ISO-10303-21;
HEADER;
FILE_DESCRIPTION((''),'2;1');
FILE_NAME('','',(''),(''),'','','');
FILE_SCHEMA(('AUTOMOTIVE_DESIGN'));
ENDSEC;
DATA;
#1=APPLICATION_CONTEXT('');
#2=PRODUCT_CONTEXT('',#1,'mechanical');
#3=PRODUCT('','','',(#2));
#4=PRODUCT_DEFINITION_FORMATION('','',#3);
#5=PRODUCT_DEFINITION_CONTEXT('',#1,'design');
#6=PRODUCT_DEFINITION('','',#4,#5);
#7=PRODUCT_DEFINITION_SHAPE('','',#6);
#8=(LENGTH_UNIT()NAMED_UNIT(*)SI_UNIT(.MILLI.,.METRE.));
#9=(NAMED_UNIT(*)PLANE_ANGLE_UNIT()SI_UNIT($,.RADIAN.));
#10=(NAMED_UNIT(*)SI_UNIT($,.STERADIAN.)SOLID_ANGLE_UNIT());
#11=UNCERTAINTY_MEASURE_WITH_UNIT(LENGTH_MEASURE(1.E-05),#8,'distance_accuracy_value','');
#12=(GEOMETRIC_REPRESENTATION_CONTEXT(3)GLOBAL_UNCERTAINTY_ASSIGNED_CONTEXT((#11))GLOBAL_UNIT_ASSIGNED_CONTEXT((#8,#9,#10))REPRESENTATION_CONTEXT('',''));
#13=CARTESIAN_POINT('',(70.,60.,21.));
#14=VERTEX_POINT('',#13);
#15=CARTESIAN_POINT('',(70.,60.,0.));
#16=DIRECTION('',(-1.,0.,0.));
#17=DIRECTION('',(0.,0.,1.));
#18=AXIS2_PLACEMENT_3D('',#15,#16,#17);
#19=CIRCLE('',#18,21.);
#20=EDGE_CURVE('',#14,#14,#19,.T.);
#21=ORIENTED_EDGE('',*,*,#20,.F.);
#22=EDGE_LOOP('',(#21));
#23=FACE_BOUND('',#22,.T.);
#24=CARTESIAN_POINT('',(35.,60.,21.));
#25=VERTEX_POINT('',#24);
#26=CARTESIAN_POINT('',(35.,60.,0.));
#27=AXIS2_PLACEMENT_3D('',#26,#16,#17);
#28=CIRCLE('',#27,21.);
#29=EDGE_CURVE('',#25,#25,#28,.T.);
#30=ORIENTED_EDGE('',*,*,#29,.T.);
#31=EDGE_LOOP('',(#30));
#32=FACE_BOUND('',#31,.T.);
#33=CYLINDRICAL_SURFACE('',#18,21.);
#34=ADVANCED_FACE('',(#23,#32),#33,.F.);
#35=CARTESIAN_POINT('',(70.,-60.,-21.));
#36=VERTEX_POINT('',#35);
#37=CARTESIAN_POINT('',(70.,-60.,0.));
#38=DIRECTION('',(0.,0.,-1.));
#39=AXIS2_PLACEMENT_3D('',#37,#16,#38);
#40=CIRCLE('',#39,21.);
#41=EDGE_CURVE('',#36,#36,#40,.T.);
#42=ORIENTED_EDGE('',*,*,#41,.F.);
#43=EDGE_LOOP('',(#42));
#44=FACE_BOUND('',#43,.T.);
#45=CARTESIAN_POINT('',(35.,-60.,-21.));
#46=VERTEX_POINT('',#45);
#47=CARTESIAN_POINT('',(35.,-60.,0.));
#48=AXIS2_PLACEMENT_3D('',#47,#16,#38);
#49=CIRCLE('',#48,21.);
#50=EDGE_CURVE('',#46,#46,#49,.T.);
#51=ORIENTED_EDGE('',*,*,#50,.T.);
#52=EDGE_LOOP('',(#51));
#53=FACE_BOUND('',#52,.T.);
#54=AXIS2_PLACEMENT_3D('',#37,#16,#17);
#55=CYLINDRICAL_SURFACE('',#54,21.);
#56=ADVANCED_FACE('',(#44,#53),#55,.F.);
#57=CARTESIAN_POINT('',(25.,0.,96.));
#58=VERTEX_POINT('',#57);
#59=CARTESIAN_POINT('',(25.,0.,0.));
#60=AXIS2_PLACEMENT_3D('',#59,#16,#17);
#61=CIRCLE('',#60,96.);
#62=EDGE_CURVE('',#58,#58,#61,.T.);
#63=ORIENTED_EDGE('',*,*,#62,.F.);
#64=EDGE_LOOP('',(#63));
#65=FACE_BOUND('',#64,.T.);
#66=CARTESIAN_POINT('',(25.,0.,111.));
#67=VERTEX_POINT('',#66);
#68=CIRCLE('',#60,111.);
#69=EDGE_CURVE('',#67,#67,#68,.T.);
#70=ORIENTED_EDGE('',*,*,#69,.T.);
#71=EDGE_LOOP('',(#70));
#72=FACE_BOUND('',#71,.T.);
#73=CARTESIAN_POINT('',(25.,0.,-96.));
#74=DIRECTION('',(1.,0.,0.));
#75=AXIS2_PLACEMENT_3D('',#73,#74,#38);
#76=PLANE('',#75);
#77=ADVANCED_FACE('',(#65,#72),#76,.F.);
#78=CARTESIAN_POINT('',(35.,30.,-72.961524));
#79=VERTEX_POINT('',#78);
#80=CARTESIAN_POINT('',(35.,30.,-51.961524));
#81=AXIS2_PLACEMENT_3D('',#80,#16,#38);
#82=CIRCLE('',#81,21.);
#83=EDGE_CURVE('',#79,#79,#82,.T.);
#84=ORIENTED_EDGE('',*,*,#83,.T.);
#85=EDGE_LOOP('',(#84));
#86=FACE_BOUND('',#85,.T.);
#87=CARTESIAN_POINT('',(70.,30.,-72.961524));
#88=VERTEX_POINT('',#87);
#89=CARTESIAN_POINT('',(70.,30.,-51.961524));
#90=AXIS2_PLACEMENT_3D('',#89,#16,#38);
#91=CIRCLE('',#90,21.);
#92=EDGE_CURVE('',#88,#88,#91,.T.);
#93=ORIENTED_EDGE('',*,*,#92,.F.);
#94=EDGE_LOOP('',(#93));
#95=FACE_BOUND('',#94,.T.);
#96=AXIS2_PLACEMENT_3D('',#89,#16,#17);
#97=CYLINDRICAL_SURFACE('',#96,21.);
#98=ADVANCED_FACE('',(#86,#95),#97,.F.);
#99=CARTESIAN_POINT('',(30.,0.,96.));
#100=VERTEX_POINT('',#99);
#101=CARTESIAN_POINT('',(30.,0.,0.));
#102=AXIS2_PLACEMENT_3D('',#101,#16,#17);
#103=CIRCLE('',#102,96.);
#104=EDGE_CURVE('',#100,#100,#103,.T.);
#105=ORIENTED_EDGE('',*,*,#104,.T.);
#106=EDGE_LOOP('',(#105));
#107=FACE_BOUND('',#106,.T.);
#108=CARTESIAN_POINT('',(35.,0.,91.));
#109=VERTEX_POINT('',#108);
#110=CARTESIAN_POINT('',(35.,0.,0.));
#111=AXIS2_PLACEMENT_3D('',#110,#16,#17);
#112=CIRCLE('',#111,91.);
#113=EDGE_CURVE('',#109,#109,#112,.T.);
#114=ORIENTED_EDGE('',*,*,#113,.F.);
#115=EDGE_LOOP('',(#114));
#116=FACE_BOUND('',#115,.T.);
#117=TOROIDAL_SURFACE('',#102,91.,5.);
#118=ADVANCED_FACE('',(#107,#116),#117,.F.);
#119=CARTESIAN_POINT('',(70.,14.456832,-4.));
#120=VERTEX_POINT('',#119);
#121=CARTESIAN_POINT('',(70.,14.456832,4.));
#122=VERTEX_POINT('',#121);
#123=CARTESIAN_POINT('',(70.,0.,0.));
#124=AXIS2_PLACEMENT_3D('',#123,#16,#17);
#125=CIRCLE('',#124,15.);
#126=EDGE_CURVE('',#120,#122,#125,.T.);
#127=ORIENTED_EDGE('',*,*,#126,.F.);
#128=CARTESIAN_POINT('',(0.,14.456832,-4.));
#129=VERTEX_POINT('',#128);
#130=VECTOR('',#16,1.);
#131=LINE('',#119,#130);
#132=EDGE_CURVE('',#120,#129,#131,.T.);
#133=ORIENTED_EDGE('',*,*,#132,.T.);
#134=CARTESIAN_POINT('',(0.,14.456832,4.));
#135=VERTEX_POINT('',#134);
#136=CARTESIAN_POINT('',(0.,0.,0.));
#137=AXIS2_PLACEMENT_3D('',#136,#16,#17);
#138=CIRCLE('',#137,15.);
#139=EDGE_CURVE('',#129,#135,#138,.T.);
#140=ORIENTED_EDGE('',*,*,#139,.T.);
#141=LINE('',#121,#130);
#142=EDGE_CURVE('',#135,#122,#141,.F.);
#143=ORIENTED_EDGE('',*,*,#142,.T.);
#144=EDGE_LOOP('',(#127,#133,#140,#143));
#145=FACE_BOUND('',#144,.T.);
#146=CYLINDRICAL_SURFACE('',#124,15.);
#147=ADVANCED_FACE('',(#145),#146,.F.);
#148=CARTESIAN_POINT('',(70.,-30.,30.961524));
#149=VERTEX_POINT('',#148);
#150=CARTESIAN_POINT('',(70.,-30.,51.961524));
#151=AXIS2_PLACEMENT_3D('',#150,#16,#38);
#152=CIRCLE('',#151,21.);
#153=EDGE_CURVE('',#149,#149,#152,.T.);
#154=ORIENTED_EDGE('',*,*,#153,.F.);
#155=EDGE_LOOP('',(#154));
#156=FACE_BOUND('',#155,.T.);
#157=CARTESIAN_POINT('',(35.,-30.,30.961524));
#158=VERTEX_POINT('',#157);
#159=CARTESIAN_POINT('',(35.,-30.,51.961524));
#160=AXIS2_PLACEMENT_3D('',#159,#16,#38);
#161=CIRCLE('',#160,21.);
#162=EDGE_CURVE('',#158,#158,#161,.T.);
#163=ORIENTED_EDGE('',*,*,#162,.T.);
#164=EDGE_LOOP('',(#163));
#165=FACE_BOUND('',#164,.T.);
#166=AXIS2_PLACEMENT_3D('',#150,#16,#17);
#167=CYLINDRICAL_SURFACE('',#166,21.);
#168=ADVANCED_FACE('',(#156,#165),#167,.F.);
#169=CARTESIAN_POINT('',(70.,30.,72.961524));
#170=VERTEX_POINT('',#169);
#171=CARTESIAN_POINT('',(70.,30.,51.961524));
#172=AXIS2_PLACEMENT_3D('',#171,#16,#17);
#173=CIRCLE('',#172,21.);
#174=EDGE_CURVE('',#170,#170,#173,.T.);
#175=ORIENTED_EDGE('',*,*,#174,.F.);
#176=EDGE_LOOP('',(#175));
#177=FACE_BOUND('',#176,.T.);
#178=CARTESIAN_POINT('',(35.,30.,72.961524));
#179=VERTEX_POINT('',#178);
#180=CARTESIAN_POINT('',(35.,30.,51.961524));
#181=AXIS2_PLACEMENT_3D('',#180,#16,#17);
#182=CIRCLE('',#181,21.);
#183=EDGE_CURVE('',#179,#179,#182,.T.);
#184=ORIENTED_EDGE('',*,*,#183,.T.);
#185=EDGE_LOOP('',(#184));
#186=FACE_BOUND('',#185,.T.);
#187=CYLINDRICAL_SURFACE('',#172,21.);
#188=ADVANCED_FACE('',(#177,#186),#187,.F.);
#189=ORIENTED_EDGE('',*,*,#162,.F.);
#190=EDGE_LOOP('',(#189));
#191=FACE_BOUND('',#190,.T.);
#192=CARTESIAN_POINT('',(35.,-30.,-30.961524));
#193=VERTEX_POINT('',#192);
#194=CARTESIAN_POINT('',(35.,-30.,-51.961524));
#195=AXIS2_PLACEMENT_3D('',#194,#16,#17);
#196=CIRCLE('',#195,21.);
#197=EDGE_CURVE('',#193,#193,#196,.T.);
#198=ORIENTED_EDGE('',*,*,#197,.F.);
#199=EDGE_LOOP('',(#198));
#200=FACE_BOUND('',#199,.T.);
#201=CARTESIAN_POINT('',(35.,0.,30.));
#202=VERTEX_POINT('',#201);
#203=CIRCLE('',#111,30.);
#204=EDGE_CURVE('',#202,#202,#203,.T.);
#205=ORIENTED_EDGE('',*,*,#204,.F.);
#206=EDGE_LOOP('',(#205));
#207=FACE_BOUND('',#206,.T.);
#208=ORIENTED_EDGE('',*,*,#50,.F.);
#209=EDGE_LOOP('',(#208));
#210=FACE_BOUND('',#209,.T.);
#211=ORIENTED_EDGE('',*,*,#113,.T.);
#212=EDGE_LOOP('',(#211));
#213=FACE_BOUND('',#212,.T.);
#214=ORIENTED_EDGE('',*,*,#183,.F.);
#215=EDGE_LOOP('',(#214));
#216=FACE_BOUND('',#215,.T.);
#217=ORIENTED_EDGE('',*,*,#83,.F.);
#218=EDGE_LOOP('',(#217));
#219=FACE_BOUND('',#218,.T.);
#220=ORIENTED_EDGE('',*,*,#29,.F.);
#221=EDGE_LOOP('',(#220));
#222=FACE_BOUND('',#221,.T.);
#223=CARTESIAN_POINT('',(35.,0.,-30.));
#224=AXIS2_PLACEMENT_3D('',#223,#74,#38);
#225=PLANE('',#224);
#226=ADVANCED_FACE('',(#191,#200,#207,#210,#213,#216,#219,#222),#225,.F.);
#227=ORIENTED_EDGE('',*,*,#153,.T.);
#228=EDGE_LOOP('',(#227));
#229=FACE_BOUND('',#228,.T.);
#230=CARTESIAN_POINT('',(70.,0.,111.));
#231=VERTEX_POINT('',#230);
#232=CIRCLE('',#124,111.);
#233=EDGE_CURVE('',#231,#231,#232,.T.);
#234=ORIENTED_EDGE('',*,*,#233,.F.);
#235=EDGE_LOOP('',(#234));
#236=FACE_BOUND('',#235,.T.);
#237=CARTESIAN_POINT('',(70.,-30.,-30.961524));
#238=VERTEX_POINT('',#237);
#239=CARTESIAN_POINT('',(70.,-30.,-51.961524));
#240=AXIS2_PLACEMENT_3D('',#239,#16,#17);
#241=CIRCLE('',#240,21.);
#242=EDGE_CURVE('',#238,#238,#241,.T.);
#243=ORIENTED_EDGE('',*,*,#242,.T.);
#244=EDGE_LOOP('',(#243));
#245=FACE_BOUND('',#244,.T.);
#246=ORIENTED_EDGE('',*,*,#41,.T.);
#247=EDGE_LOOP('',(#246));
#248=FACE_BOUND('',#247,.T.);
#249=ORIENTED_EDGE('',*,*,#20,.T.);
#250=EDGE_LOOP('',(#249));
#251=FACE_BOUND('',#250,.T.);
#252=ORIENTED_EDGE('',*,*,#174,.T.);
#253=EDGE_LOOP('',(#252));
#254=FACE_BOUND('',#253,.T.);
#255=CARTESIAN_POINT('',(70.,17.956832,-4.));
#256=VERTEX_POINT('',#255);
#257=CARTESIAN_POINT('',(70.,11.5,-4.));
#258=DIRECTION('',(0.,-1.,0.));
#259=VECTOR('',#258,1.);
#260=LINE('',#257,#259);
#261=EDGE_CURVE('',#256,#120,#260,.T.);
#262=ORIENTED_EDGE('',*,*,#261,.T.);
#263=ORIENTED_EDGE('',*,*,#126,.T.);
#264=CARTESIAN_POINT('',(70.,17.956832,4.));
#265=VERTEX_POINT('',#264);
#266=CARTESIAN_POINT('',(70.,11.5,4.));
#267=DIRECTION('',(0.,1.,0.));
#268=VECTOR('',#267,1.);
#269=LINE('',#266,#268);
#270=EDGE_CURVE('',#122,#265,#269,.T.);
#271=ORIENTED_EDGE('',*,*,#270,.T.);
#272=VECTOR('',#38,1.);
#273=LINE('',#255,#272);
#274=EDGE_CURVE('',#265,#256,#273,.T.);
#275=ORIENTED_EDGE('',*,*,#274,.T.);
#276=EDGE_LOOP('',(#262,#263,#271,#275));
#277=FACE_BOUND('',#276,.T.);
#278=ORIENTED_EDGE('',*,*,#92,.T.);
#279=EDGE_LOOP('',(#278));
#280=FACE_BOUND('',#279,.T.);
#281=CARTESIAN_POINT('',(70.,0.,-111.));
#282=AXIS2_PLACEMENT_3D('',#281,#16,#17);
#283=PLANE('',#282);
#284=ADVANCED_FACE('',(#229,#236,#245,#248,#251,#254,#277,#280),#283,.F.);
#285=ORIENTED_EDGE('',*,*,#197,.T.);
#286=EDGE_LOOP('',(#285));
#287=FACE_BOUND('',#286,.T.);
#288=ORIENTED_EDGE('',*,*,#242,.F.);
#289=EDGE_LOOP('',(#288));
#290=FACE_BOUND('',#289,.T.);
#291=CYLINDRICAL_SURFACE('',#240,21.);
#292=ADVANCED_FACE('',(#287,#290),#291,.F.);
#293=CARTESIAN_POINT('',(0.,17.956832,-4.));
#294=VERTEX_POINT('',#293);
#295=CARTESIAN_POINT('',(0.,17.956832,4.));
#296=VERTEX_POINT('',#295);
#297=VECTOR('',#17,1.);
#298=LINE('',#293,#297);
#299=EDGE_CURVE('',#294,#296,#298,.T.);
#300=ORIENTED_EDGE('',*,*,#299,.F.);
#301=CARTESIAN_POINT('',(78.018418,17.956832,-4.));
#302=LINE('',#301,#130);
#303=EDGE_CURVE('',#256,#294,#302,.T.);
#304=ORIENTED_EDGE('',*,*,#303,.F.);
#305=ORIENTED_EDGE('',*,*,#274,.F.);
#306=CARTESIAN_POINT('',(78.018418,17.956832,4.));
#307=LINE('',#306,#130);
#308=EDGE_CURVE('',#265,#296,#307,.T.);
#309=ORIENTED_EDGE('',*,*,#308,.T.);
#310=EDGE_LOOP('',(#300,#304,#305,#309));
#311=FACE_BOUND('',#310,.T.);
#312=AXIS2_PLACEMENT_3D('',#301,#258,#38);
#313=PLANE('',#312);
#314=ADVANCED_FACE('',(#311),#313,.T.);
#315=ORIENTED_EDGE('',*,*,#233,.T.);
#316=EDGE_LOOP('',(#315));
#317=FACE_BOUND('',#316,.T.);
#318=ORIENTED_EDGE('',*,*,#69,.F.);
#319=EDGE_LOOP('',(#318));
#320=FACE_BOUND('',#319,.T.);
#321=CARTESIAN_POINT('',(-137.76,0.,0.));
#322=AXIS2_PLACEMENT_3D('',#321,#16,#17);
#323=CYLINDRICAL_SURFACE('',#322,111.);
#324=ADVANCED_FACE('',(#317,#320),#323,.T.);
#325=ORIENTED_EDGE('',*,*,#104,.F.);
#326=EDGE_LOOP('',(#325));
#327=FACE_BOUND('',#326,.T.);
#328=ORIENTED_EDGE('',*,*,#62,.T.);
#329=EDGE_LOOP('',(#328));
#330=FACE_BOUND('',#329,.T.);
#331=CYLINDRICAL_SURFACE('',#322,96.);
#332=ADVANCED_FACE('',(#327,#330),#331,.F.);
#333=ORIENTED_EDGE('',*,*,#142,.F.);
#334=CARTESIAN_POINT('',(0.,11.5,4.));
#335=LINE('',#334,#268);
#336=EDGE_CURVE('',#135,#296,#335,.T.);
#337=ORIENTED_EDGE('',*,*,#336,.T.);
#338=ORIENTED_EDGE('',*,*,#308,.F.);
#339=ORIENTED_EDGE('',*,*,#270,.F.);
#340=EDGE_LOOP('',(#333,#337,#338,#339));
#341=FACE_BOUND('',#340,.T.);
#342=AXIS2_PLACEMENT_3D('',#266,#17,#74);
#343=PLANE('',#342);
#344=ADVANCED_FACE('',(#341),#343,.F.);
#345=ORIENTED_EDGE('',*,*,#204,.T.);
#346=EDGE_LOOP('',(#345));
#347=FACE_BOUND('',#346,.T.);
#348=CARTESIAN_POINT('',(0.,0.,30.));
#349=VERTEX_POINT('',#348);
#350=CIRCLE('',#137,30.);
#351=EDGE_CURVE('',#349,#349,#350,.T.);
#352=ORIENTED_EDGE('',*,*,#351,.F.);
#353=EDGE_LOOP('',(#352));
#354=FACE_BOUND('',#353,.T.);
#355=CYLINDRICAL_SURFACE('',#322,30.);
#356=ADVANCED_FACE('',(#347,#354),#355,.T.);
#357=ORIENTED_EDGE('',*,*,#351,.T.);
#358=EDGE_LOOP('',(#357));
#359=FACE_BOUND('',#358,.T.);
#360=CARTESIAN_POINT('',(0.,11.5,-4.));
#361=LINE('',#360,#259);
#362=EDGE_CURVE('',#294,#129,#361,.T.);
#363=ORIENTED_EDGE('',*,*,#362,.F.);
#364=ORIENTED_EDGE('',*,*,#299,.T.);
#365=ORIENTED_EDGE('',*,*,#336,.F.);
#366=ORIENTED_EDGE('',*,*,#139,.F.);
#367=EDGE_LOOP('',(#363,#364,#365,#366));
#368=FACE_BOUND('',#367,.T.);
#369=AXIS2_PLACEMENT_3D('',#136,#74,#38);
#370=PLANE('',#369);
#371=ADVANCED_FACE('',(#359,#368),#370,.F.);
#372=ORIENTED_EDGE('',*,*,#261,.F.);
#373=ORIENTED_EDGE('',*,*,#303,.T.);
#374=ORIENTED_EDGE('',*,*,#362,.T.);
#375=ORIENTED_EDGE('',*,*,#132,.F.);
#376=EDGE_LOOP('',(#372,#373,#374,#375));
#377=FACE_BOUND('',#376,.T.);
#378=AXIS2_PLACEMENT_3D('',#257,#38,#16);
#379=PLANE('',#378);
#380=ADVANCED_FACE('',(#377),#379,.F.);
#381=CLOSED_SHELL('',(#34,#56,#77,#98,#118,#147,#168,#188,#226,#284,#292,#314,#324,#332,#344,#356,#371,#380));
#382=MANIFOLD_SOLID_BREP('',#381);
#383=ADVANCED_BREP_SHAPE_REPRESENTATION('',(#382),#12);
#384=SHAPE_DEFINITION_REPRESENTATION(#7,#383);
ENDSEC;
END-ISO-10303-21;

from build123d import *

# Parameters (mm, degrees)
CUT_EXTRUDE1_DEPTH  = 172.877863613
SKETCH4_R           = 21
CUT_EXTRUDE3_DEPTH  = 161.832210704
SKETCH5_W           = 8
SKETCH5_H           = 3.5
BOSS_EXTRUDE1_DEPTH = 70
SKETCH6_R           = 15
CUT_EXTRUDE4_DEPTH  = 172.877863613
SKETCH7_W           = 8
SKETCH7_H           = 7
CUT_EXTRUDE5_DEPTH  = 172.877863613
SKETCH8_W           = 8
SKETCH8_H           = 0.543167705
BOSS_EXTRUDE2_DEPTH = 70


with BuildPart() as part:
    # Sketch1 → Revolve1 (revolve)
    with BuildSketch(Plane(origin=(0, 0, 0), x_dir=(1, 0, 0), z_dir=(0, 1, 0)), mode=Mode.PRIVATE) as revolve1_sk:
        with BuildLine():
            Line((0, 0), (0, 30))
            Line((0, 30), (35, 30))
            Line((35, 30), (35, 91))
            ThreePointArc((35, 91), (33.535533906, 94.535533906), (30, 96))
            Line((30, 96), (25, 96))
            Line((25, 96), (25, 111))
            Line((25, 111), (70, 111))
            Line((70, 111), (70, 0))
            Line((70, 0), (0, 0))
        make_face()
    revolve(revolve1_sk.sketch.rotate(Axis((-137.76, 0, 0), (1, 0, 0)), 180), axis=Axis((-137.76, 0, 0), (1, 0, 0)))

    # Sketch2 → Cut-Extrude1 (cut, through all)
    with BuildSketch(Plane.ZY):
        with BuildLine():
            Line((-4, 10.494049493), (-4, 17.494049493))
            Line((-4, 17.494049493), (4, 17.494049493))
            Line((4, 17.494049493), (4, 10.494049493))
            ThreePointArc((4, 10.494049493), (0, -11.230542051), (-4, 10.494049493))
        make_face()
    extrude(amount=-CUT_EXTRUDE1_DEPTH, mode=Mode.SUBTRACT)

    # Sketch4 → Cut-Extrude3 (cut, through all)
    with BuildSketch(Plane.ZY.offset(-35)):
        with Locations((0, 60)):
            Circle(SKETCH4_R)
        with Locations((51.961524227, 30)):
            Circle(SKETCH4_R)
        with Locations(Location((-51.961524227, 30, 0), (0, 0, 180))):
            Circle(SKETCH4_R)
        with Locations(Location((51.961524227, -30, 0), (0, 0, 180))):
            Circle(SKETCH4_R)
        with Locations(Location((0, -60, 0), (0, 0, 180))):
            Circle(SKETCH4_R)
        with Locations((-51.961524227, -30)):
            Circle(SKETCH4_R)
    extrude(amount=-CUT_EXTRUDE3_DEPTH, mode=Mode.SUBTRACT)

    # Sketch5 → Boss-Extrude1 (add)
    with BuildSketch(Plane.ZY):
        with Locations((0, 15.744049493)):
            Rectangle(SKETCH5_W, SKETCH5_H)
    extrude(amount=-BOSS_EXTRUDE1_DEPTH)

    # Sketch6 → Cut-Extrude4 (cut, through all)
    with BuildSketch(Plane.ZY):
        Circle(SKETCH6_R)
    extrude(amount=-CUT_EXTRUDE4_DEPTH, mode=Mode.SUBTRACT)

    # Sketch7 → Cut-Extrude5 (cut, through all)
    with BuildSketch(Plane.ZY):
        with Locations((0, 15)):
            Rectangle(SKETCH7_W, SKETCH7_H)
    extrude(amount=-CUT_EXTRUDE5_DEPTH, mode=Mode.SUBTRACT)

    # Sketch8 → Boss-Extrude2 (add)
    with BuildSketch(Plane.ZY):
        with Locations((0, 18.228416147)):
            Rectangle(SKETCH8_W, SKETCH8_H)
    extrude(amount=-BOSS_EXTRUDE2_DEPTH)


solid = part.part
